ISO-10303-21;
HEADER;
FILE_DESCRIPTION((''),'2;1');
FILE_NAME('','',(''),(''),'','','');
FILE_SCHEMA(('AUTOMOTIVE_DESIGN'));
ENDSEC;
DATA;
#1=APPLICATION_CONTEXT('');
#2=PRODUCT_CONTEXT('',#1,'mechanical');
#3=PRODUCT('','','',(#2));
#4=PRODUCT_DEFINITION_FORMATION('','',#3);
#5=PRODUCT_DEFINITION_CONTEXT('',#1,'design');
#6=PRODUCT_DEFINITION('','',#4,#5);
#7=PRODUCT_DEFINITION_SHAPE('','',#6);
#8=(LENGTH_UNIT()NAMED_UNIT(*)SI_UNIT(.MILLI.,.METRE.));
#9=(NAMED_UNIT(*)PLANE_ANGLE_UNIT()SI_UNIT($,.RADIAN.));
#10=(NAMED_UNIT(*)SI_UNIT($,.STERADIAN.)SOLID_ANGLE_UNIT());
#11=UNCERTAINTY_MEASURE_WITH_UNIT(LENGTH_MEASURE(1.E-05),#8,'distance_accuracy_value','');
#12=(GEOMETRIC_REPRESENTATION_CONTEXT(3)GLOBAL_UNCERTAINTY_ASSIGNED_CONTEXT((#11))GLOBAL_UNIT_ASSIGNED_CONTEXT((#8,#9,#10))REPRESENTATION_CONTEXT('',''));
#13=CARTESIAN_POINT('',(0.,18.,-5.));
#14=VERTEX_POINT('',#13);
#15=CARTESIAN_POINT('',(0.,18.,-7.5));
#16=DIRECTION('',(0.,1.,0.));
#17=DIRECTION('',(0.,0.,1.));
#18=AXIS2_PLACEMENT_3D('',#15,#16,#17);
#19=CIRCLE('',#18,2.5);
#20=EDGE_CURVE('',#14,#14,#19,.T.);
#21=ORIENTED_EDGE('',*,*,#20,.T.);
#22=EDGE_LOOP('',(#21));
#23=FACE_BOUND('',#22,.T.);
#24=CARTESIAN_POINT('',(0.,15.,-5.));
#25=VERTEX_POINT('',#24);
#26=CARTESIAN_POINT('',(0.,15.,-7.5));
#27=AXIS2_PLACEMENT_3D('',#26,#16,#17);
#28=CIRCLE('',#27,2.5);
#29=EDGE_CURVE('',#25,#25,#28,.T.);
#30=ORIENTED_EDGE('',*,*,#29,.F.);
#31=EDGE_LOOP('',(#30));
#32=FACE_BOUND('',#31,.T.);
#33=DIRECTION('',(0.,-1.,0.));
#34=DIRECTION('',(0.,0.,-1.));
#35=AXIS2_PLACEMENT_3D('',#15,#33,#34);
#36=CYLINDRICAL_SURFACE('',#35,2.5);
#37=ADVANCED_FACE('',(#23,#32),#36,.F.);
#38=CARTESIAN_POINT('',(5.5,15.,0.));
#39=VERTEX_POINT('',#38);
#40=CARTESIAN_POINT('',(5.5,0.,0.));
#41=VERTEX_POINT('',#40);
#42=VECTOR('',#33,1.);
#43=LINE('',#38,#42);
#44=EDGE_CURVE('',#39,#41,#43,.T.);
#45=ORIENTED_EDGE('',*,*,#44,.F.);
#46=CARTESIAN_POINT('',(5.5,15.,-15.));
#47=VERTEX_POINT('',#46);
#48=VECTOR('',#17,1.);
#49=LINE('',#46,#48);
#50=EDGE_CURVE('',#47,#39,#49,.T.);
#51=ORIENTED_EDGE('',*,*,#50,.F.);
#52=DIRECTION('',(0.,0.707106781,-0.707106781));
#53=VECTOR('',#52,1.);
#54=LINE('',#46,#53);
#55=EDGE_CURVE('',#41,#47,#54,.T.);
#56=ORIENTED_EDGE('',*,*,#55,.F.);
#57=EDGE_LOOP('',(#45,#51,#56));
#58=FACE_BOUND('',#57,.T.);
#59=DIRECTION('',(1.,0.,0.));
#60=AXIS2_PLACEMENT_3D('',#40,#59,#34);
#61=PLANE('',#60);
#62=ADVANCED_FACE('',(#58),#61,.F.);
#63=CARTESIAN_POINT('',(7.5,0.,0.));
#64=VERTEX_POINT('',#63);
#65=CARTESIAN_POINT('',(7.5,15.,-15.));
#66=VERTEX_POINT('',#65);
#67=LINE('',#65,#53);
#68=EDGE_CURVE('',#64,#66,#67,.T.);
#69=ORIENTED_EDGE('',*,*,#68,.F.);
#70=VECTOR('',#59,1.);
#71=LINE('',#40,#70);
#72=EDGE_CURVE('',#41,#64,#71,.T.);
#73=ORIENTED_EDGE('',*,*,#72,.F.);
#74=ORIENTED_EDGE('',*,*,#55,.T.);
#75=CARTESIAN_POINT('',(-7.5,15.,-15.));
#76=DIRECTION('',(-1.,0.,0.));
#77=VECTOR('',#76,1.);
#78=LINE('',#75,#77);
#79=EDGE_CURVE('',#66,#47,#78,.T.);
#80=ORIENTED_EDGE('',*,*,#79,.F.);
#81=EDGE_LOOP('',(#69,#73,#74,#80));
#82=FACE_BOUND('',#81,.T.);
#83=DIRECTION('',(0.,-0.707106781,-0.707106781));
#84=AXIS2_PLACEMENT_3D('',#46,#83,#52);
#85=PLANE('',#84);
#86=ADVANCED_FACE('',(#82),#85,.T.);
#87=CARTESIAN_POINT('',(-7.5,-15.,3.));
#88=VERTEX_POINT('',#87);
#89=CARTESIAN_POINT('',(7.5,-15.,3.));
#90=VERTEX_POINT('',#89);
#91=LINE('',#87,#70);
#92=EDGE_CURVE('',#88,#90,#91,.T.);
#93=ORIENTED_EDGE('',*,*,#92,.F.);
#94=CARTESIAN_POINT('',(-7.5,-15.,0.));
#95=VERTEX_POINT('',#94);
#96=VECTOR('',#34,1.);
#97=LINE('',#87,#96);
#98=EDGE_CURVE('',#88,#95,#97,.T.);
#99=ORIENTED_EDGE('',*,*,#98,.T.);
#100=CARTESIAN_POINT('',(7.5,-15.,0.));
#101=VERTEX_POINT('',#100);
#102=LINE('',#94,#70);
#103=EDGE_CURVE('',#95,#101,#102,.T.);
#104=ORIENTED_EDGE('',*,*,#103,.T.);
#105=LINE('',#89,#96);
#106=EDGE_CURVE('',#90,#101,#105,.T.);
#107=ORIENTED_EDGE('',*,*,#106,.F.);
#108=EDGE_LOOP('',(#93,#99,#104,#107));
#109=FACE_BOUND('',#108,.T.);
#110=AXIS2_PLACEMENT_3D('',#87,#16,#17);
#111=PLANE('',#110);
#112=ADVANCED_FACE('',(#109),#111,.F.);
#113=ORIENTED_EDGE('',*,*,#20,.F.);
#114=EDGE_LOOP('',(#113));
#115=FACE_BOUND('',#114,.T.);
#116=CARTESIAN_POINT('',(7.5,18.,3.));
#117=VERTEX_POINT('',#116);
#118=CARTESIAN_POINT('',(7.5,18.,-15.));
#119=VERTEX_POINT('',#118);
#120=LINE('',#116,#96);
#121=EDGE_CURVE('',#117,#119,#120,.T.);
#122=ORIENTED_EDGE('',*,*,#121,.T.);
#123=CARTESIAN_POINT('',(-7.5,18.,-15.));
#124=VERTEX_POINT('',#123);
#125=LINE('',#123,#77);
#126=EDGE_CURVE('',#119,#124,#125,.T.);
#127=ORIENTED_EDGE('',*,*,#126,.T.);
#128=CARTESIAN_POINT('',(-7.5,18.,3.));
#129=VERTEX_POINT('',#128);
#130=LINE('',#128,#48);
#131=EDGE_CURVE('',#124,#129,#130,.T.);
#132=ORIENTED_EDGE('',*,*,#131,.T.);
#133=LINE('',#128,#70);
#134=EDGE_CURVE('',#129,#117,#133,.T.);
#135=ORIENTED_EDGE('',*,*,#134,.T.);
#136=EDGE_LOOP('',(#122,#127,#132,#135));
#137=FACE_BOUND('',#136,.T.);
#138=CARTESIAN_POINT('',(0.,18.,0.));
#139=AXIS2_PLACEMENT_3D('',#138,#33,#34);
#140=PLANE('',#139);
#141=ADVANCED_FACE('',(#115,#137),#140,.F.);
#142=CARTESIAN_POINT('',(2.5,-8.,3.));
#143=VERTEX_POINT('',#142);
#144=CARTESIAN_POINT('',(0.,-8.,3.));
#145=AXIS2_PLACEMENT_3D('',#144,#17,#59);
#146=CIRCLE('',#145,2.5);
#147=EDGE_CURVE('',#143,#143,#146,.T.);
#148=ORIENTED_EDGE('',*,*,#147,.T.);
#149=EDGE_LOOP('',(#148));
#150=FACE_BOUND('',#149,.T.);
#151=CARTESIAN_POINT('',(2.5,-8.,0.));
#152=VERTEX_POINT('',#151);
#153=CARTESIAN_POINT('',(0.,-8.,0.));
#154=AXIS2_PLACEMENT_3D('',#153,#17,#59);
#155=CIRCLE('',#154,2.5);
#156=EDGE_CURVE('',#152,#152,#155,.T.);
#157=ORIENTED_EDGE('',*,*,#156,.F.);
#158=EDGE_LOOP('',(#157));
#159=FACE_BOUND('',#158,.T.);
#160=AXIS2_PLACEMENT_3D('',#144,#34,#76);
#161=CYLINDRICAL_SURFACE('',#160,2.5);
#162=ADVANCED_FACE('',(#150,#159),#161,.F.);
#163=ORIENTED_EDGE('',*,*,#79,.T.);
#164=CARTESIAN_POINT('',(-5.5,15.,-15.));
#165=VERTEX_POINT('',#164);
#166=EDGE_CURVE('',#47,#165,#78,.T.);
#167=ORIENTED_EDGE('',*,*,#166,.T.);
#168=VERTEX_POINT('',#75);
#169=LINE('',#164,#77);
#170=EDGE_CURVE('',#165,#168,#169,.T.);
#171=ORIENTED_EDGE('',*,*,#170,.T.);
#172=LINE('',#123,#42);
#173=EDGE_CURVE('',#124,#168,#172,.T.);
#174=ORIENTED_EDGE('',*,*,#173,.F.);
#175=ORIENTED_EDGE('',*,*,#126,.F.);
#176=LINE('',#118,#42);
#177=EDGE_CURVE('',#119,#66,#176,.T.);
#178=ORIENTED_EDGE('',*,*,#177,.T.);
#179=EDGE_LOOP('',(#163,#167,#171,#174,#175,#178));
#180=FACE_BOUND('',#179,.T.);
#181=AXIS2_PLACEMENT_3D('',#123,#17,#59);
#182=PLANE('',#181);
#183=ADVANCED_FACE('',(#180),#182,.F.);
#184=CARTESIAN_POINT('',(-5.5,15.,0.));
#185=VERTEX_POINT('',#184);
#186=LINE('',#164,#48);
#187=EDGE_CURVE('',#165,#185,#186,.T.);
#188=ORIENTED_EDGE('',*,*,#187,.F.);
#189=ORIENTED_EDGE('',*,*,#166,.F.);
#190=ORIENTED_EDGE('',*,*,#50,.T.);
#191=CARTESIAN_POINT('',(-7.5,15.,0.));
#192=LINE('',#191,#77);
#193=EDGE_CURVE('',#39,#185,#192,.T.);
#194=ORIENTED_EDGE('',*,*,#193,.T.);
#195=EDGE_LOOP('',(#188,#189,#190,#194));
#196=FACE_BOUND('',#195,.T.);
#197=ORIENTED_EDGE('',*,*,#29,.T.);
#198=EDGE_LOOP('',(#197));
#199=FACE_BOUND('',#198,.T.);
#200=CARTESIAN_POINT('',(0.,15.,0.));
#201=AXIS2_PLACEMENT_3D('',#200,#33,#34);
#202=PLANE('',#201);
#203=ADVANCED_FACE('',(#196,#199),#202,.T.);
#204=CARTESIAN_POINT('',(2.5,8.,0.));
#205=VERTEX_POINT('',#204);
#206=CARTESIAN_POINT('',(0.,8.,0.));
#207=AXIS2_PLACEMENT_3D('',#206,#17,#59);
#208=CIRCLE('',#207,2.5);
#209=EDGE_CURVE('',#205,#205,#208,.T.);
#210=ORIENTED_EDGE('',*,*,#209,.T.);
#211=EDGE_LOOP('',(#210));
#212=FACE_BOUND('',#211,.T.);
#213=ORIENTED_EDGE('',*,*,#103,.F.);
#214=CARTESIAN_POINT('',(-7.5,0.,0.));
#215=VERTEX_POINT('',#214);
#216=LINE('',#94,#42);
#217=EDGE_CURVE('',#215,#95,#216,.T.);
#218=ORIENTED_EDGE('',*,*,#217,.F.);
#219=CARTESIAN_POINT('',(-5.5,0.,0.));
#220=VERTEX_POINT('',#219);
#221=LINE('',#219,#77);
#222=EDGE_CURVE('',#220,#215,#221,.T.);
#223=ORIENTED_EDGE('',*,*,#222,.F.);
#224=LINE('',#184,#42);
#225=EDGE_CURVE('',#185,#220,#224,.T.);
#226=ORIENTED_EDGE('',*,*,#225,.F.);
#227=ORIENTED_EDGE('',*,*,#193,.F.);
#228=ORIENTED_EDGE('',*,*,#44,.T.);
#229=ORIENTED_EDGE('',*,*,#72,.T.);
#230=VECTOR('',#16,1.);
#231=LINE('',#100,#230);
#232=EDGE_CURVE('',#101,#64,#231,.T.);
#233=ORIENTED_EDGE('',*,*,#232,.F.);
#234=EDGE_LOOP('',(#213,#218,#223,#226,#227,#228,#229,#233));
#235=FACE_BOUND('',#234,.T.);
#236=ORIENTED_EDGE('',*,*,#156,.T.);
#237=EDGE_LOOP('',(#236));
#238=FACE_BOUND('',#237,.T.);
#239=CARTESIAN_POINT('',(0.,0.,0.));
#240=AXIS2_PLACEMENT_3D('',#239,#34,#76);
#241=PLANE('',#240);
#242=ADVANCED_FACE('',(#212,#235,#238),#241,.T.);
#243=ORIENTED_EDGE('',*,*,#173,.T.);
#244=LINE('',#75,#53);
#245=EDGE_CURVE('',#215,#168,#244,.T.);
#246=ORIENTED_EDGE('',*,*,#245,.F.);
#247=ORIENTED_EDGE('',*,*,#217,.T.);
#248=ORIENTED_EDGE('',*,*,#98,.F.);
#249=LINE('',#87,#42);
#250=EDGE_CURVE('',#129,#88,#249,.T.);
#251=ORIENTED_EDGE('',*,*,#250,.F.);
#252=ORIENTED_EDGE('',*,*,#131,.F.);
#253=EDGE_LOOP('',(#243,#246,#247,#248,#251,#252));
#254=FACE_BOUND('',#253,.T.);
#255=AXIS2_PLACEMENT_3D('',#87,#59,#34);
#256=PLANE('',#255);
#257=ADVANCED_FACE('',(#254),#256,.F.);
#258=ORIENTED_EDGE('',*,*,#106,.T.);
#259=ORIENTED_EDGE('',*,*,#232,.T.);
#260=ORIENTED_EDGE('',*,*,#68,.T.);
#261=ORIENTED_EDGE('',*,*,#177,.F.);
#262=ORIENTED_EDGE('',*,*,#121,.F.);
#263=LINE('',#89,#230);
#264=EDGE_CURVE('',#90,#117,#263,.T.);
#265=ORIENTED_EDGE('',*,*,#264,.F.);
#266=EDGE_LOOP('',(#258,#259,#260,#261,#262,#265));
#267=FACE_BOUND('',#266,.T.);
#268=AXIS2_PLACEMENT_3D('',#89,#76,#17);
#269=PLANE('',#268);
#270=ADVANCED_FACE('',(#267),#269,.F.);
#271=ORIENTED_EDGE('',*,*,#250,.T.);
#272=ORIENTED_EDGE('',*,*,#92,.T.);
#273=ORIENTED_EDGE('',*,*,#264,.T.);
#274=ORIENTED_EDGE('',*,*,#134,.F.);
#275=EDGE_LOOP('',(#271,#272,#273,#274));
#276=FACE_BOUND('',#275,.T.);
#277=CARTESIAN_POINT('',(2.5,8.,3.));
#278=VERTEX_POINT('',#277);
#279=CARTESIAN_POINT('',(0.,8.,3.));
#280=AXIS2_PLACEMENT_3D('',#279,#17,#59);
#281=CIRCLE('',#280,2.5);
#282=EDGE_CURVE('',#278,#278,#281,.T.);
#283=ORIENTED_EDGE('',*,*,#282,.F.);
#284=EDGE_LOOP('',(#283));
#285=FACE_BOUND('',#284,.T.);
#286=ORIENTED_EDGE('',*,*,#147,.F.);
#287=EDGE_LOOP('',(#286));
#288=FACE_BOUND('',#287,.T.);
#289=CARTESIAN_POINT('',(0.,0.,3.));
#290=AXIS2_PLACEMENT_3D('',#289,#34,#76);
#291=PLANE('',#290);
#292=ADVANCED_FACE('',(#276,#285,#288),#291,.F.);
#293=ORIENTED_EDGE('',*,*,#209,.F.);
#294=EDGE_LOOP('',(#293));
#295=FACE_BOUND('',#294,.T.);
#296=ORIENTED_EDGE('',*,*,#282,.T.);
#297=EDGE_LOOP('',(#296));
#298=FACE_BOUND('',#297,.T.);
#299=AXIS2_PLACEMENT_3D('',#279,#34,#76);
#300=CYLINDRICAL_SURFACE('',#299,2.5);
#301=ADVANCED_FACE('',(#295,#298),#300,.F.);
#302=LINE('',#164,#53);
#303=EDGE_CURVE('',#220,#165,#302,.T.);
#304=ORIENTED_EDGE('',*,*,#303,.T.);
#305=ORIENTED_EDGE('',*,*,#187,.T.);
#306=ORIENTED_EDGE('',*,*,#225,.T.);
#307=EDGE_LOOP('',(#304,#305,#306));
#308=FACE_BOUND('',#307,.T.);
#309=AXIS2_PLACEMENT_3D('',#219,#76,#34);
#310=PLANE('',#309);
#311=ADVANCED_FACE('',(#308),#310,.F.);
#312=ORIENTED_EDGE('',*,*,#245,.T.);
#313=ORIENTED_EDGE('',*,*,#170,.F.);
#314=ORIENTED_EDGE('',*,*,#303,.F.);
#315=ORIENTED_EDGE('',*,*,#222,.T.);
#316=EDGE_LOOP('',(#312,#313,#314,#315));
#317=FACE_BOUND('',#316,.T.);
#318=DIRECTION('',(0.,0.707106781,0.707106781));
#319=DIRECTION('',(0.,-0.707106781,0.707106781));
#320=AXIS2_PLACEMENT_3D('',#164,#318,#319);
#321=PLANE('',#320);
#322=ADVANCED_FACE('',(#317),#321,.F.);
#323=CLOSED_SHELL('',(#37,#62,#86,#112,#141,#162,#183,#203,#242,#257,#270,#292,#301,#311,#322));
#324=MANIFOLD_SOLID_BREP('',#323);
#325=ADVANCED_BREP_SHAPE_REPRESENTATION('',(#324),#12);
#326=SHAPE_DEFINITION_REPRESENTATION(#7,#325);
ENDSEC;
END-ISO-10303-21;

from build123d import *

# Parameters (mm, degrees)
SKETCH1_W           = 15
SKETCH1_H           = 30
SKETCH1_R           = 2.5
BOSS_EXTRUDE1_DEPTH = 3
SKETCH2_W           = 15
SKETCH2_H           = 18
SKETCH2_R           = 2.5
BOSS_EXTRUDE2_DEPTH = 3
BOSS_EXTRUDE3_DEPTH = 2


with BuildPart() as part:
    # Sketch1 → Boss-Extrude1 (new body)
    with BuildSketch(Plane.XY):
        Rectangle(SKETCH1_W, SKETCH1_H)
        with Locations((0, 8)):
            Circle(SKETCH1_R, mode=Mode.SUBTRACT)
        with Locations((0, -8)):
            Circle(SKETCH1_R, mode=Mode.SUBTRACT)
    extrude(amount=BOSS_EXTRUDE1_DEPTH)

    # Sketch2 → Boss-Extrude2 (add)
    with BuildSketch(Plane(origin=(0, 15, 0), x_dir=(1, 0, 0), z_dir=(0, 1, 0))):
        with Locations((0, 6)):
            Rectangle(SKETCH2_W, SKETCH2_H)
        with Locations((0, 7.5)):
            Circle(SKETCH2_R, mode=Mode.SUBTRACT)
    extrude(amount=BOSS_EXTRUDE2_DEPTH)

    # Sketch3 → Boss-Extrude3 (add)
    with BuildSketch(Plane(origin=(7.5, 0, 0), x_dir=(0, 0, -1), z_dir=(1, 0, 0))):
        Polygon((15, 15), (0, 0), (0, 15), align=None)
    boss_extrude3 = extrude(amount=-BOSS_EXTRUDE3_DEPTH)

    # Mirror1: Boss-Extrude3 across plane
    add(boss_extrude3.mirror(Plane(origin=(0, 0, 0), x_dir=(0, 0, 1), z_dir=(1, 0, 0))))


solid = part.part
